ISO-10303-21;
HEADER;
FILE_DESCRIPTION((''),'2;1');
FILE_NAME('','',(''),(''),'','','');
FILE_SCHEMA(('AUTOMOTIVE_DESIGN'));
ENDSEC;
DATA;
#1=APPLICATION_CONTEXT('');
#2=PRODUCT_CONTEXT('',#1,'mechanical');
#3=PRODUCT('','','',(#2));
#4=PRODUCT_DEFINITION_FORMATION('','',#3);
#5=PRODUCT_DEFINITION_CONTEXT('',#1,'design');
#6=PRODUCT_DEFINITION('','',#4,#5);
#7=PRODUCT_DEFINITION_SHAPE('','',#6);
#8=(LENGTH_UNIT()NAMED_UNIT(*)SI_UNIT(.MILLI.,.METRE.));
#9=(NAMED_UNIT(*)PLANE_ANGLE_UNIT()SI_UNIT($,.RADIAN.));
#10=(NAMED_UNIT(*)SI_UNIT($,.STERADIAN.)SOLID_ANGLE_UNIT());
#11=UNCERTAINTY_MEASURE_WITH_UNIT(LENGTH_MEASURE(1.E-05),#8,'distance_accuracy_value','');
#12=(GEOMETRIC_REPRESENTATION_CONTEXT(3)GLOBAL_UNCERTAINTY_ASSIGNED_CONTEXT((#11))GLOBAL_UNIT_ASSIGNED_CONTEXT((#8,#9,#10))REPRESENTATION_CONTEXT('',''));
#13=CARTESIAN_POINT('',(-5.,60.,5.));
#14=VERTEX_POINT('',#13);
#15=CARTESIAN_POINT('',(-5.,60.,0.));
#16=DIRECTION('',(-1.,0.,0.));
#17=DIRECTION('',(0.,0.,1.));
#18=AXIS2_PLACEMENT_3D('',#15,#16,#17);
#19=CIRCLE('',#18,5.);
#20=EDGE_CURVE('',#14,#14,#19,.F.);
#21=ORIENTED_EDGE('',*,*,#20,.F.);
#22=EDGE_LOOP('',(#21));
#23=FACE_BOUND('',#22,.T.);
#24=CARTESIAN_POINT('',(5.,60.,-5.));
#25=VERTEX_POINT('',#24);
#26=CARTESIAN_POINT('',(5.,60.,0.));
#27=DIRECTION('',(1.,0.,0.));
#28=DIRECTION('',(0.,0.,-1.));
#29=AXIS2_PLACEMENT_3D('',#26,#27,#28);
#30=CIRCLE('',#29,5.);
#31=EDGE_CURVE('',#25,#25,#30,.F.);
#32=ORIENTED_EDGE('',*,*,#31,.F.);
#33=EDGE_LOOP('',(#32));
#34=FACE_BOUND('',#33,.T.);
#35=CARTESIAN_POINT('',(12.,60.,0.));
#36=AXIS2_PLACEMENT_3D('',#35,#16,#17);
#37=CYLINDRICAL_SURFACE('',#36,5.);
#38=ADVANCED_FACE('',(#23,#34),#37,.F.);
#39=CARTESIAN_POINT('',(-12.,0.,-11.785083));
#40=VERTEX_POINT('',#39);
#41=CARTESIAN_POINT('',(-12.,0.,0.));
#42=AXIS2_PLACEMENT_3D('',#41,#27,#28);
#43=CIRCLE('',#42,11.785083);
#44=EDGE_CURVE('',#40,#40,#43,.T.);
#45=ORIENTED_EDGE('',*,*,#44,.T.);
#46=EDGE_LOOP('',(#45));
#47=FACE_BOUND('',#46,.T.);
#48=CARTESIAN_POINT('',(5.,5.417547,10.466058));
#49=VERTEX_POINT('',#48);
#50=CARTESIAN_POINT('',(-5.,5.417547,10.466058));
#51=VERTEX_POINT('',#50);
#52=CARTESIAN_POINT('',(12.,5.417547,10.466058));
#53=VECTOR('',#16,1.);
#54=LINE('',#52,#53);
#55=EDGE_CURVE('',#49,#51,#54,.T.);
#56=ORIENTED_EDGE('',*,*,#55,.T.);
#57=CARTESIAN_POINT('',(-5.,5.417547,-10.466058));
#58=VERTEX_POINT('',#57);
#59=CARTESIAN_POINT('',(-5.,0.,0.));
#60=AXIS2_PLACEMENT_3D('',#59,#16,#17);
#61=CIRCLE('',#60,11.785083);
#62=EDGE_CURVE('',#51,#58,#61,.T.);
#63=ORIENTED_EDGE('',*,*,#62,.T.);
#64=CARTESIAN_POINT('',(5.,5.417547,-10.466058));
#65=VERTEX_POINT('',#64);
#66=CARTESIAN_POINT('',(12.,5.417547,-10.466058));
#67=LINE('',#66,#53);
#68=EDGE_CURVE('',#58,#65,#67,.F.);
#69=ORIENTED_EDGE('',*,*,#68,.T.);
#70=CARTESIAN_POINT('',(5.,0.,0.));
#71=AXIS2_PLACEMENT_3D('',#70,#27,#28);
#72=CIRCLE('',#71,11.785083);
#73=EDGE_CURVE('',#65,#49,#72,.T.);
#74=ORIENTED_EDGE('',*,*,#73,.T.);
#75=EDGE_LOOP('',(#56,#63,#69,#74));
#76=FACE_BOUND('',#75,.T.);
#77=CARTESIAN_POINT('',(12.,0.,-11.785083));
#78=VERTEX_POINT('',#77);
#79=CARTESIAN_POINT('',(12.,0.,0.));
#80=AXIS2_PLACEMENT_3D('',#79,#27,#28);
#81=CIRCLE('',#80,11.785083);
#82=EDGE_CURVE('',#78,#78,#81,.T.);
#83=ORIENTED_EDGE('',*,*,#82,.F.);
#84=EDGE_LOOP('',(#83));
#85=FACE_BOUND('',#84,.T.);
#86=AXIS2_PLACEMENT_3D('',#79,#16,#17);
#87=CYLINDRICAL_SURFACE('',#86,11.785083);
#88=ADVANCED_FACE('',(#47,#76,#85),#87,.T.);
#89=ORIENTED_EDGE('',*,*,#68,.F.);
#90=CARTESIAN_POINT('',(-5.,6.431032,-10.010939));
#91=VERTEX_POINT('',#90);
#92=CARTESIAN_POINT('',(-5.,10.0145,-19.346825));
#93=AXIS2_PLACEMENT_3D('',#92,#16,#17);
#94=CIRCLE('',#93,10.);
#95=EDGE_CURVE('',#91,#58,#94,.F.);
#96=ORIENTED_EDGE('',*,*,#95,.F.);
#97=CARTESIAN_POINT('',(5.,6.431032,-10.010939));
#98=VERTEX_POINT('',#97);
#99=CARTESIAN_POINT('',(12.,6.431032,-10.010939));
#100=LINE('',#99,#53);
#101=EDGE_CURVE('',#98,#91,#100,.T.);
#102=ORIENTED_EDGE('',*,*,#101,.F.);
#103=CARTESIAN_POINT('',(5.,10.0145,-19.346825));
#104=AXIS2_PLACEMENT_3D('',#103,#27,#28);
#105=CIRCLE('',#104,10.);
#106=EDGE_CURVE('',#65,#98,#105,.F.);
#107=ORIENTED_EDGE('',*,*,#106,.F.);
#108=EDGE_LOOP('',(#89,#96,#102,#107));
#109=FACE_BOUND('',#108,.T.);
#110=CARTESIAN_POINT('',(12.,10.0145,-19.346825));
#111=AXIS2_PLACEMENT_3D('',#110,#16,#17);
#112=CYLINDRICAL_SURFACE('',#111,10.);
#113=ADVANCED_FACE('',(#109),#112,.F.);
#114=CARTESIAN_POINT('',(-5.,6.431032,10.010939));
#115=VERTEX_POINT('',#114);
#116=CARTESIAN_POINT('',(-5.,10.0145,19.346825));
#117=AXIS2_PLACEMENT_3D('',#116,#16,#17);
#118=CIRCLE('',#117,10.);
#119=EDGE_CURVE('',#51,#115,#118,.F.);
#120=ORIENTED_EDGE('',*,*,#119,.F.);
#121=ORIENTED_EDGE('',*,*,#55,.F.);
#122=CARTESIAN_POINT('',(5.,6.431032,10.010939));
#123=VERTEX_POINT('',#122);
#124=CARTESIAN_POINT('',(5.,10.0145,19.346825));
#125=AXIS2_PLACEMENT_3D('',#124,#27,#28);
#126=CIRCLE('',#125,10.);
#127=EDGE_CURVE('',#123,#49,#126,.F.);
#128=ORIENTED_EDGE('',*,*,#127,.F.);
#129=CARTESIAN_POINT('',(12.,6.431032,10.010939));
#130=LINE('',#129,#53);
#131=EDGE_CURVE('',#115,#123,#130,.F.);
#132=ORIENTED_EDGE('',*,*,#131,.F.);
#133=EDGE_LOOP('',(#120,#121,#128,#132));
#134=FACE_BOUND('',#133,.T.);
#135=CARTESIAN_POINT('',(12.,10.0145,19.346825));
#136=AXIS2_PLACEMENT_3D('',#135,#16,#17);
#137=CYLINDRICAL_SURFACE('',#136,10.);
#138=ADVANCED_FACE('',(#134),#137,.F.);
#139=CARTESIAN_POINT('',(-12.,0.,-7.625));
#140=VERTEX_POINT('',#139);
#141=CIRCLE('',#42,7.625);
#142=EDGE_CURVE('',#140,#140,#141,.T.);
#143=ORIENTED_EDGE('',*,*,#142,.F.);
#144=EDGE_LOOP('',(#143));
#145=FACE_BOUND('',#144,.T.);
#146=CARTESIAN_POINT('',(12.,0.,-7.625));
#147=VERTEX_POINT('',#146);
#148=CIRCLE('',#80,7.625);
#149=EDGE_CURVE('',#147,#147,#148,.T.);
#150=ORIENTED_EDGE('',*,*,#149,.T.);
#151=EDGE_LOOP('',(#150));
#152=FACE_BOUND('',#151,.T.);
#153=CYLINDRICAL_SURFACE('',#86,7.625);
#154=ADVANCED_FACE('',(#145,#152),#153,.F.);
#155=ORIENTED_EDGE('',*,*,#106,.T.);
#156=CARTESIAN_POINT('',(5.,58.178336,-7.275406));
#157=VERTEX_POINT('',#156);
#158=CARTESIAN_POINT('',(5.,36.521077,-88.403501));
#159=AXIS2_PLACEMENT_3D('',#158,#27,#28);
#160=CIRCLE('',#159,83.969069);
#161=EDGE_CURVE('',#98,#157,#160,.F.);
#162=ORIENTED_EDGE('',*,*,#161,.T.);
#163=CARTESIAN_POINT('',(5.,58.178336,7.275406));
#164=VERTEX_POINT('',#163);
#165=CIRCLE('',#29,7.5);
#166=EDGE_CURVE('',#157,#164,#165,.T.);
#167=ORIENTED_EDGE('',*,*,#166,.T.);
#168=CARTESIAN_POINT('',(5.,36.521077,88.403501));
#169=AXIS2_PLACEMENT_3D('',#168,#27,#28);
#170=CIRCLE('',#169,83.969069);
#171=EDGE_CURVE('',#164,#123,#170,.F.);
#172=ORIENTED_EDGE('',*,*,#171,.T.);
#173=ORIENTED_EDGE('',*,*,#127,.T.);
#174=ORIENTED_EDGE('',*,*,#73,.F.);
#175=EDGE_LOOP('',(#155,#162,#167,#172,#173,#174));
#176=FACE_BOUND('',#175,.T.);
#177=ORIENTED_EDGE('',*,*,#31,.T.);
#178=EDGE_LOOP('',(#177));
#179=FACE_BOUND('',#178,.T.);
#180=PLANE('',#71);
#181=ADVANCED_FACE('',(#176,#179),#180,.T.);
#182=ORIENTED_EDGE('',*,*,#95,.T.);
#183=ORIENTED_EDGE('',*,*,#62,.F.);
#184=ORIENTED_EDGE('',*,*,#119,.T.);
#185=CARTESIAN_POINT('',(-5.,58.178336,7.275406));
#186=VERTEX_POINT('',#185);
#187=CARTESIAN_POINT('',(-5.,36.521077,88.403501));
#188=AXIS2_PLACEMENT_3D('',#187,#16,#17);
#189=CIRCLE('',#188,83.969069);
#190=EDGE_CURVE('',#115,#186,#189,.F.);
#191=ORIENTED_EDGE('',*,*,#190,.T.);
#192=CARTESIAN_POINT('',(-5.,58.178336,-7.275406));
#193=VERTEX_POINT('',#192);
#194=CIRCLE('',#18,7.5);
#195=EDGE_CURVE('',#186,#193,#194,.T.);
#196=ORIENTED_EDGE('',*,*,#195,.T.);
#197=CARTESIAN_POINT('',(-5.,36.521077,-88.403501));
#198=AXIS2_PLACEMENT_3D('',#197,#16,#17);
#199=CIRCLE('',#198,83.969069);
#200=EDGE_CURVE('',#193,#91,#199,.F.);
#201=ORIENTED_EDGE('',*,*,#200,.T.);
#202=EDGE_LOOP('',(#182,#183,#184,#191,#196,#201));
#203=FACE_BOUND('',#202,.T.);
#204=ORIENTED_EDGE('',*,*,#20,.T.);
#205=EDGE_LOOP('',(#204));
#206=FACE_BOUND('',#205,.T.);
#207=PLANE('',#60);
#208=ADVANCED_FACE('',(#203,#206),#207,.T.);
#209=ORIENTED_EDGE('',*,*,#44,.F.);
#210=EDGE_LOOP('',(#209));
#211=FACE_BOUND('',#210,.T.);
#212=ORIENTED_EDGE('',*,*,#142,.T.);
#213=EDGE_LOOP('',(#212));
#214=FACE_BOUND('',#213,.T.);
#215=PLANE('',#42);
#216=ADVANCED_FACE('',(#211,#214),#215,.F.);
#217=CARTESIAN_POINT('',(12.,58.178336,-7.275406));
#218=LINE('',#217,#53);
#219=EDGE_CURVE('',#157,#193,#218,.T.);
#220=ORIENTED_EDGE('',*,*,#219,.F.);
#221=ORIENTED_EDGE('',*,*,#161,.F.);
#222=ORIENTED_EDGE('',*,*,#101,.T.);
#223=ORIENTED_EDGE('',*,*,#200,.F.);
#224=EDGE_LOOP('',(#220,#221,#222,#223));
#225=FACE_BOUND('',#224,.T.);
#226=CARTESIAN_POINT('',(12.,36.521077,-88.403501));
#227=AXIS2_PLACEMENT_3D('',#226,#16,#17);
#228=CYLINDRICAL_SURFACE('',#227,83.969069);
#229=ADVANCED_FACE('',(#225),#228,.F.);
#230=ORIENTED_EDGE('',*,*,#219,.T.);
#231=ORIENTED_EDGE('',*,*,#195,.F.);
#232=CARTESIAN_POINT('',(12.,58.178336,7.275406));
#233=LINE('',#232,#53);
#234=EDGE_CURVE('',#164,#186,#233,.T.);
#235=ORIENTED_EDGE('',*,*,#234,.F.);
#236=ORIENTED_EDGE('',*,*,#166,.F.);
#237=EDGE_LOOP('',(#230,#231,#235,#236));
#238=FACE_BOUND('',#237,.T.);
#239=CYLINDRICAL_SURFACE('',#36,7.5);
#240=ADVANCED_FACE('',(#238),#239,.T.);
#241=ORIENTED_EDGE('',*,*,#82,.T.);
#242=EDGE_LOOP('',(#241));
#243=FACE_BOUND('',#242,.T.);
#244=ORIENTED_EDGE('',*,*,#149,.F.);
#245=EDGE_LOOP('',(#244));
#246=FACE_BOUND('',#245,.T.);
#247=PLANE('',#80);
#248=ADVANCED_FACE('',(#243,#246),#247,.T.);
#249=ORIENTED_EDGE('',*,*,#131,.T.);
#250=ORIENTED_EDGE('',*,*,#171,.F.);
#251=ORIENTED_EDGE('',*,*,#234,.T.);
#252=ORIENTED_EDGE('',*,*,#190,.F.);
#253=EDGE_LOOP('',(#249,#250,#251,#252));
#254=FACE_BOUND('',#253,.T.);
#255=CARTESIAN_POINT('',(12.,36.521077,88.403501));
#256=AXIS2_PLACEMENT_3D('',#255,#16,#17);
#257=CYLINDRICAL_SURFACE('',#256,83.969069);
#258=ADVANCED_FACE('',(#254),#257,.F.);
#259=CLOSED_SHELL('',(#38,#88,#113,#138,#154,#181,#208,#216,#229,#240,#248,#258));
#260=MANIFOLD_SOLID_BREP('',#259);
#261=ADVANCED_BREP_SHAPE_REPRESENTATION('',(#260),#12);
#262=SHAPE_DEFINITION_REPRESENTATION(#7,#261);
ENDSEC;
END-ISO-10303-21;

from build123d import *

# Parameters (mm, degrees)
BOSS_EXTRUDE2_DEPTH      = 12
BOSS_EXTRUDE2_DEPTH_BACK = 12
SKETCH1_R                = 7.625
SKETCH1_R_2              = 5
FILLET1_R                = 10
CUT_EXTRUDE1_START       = -7
SKETCH2_R                = 5
CUT_EXTRUDE1_DEPTH       = 7
SKETCH3_R                = 5
CUT_EXTRUDE2_DEPTH       = 7


with BuildPart() as part:
    # Sketch1 → Boss-Extrude2 (new, two sides: drawn at the far end of the back side and taken through both)
    with BuildSketch(Plane(origin=(0, 0, 0), x_dir=(0, 0, -1), z_dir=(1, 0, 0)).offset(-BOSS_EXTRUDE2_DEPTH_BACK)):
        with BuildLine():
            ThreePointArc((10.249331942, 5.817161927), (4.569540082, 31.759611334), (7.275406493, 58.178335825))
            ThreePointArc((7.275406493, 58.178335825), (0, 67.5), (-7.275406493, 58.178335825))
            ThreePointArc((-7.275406493, 58.178335825), (-4.569540082, 31.759611334), (-10.249331942, 5.817161927))
            ThreePointArc((-10.249331942, 5.817161927), (0, -11.785082866), (10.249331942, 5.817161927))
        make_face()
        Circle(SKETCH1_R, mode=Mode.SUBTRACT)
        with Locations((0, 60)):
            Circle(SKETCH1_R_2, mode=Mode.SUBTRACT)
    extrude(amount=BOSS_EXTRUDE2_DEPTH + BOSS_EXTRUDE2_DEPTH_BACK)

    # Fillet1
    fillet1_edges = [part.edges().sort_by_distance(p)[0] for p in [
        (0, 5.817161927, -10.249331942),
        (0, 5.817161927, 10.249331942),
    ]]
    fillet(fillet1_edges, radius=FILLET1_R)

    # Sketch2 → Cut-Extrude1 (cut)
    with BuildSketch(Plane(origin=(12, 0, 0), x_dir=(0, 0, -1), z_dir=(1, 0, 0)).offset(CUT_EXTRUDE1_START)):
        with BuildLine():
            ThreePointArc((7.275406493, 58.178335825), (0, 67.5), (-7.275406493, 58.178335825))
            ThreePointArc((-7.275406493, 58.178335825), (-4.551513528, 32.088385289), (-10.010939305, 6.431031917))
            ThreePointArc((-10.010939305, 6.431031917), (-10.224413054, 5.917964178), (-10.466057682, 5.417546931))
            ThreePointArc((-10.466057682, 5.417546931), (0, 11.785082866), (10.466057682, 5.417546931))
            ThreePointArc((10.466057682, 5.417546931), (10.224413054, 5.917964178), (10.010939305, 6.431031917))
            ThreePointArc((10.010939305, 6.431031917), (4.551513528, 32.088385289), (7.275406493, 58.178335825))
        make_face()
        with Locations((0, 60)):
            Circle(SKETCH2_R, mode=Mode.SUBTRACT)
    extrude(amount=CUT_EXTRUDE1_DEPTH, mode=Mode.SUBTRACT)

    # Sketch3 → Cut-Extrude2 (cut)
    with BuildSketch(Plane.ZY.offset(12)):
        with BuildLine():
            ThreePointArc((7.275406493, 58.178335825), (0, 67.5), (-7.275406493, 58.178335825))
            ThreePointArc((-7.275406493, 58.178335825), (-4.551513528, 32.088385289), (-10.010939305, 6.431031917))
            ThreePointArc((-10.010939305, 6.431031917), (-10.224413054, 5.917964178), (-10.466057682, 5.417546931))
            ThreePointArc((-10.466057682, 5.417546931), (0, 11.785082866), (10.466057682, 5.417546931))
            ThreePointArc((10.466057682, 5.417546931), (10.224413054, 5.917964178), (10.010939305, 6.431031917))
            ThreePointArc((10.010939305, 6.431031917), (4.551513528, 32.088385289), (7.275406493, 58.178335825))
        make_face()
        with Locations((0, 60)):
            Circle(SKETCH3_R, mode=Mode.SUBTRACT)
    extrude(amount=-CUT_EXTRUDE2_DEPTH, mode=Mode.SUBTRACT)


solid = part.part
